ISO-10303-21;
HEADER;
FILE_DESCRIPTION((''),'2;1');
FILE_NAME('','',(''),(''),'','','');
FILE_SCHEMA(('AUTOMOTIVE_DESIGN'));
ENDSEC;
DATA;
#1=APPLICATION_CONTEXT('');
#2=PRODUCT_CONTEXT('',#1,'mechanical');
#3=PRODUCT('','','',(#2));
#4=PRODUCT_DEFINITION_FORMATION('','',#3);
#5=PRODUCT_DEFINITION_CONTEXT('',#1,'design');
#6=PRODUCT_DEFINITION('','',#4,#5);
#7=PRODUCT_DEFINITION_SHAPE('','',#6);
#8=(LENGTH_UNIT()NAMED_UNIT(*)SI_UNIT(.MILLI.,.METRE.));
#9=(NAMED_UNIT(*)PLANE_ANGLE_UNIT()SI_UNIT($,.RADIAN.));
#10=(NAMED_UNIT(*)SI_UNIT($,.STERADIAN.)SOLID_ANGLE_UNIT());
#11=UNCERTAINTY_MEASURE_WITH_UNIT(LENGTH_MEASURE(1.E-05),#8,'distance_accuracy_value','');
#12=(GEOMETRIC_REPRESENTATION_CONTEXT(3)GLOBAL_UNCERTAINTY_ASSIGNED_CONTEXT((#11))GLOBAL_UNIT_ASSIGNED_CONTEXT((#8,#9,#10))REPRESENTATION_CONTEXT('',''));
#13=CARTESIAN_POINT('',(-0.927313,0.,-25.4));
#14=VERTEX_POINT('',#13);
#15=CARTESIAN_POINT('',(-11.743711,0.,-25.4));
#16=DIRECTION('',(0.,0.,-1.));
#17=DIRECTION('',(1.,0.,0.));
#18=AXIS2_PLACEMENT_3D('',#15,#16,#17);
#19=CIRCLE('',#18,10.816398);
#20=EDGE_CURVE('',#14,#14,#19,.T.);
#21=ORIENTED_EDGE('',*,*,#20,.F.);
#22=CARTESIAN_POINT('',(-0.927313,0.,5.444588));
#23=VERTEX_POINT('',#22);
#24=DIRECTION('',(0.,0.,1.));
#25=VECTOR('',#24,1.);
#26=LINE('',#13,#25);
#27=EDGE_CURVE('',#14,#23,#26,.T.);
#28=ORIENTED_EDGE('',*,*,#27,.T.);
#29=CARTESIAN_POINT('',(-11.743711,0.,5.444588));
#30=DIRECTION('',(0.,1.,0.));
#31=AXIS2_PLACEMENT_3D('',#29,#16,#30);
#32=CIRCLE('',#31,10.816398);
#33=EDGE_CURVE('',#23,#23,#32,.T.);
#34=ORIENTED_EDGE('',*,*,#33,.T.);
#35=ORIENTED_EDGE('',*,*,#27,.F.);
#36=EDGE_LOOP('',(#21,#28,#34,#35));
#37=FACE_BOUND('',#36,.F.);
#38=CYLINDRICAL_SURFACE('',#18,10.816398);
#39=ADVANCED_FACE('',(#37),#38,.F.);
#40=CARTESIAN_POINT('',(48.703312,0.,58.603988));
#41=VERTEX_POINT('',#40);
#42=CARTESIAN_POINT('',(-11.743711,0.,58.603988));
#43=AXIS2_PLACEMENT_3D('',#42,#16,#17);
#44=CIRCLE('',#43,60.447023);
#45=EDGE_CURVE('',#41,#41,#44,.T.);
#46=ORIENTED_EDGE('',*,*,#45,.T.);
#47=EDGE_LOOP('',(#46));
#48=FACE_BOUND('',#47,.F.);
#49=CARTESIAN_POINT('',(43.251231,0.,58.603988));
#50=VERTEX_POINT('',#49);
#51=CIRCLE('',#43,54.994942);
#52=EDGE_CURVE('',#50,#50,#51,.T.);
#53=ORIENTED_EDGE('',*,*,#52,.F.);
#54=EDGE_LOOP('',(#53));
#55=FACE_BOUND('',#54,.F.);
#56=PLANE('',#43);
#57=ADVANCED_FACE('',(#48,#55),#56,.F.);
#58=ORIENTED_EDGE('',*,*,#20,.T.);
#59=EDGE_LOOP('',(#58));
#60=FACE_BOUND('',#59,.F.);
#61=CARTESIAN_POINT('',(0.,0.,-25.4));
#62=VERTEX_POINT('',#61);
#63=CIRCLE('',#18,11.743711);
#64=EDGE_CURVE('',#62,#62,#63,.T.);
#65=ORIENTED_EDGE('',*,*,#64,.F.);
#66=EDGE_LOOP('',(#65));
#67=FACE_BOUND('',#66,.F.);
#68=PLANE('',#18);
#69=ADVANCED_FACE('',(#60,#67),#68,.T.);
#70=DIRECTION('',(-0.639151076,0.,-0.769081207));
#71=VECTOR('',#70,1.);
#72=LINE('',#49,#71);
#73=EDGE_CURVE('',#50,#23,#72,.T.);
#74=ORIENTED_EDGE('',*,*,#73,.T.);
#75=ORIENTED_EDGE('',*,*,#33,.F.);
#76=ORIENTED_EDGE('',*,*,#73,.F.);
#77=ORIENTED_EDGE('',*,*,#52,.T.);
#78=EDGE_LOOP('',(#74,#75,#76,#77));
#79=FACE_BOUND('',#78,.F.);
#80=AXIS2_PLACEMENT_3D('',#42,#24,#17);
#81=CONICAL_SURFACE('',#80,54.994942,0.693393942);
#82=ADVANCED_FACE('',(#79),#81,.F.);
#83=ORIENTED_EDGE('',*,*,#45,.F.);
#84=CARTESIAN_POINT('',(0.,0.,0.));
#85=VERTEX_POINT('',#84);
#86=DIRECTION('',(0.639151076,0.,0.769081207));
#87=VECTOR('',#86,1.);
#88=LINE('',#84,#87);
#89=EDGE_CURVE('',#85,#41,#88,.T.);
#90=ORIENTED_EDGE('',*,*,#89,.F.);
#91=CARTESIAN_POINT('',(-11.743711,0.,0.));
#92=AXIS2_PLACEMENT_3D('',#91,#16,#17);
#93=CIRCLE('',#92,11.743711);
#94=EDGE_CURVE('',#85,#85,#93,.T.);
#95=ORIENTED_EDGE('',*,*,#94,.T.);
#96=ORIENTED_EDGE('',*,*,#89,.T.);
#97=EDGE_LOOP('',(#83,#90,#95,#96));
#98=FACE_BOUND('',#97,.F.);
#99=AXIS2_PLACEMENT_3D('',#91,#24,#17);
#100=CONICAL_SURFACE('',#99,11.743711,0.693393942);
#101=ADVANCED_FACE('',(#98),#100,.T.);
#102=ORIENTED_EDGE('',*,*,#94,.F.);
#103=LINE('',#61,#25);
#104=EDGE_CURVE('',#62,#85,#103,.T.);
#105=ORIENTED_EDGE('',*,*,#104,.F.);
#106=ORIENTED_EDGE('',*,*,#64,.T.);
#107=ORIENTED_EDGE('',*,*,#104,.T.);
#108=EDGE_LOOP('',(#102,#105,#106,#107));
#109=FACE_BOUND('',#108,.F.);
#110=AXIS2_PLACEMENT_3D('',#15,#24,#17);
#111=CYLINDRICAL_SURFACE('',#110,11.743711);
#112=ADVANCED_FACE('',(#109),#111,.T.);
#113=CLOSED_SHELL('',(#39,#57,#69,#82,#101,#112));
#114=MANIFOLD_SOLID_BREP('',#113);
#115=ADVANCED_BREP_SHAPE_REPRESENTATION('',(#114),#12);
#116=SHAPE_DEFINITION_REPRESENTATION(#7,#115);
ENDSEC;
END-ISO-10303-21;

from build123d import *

# Parameters (mm, degrees)
F2_R     = 10.816398
F3_DEPTH = 50.8


with BuildPart() as f1:
    # F0 (on Front) → F1 (revolve)
    with BuildSketch(Plane.XZ):
        Polygon((0, -25.4), (0, 0), (48.703312, 58.603988), (43.251231, 58.603988), (-5.452081, 0), (-11.743711, 0), (-11.743711, -25.4), align=None)
    revolve(axis=Axis((-11.743711, 0, -12.7), (0, 0, -1)))

    # F2 (on face) → F3 (cut)
    with BuildSketch(Plane(origin=(0, 0, -25.4), x_dir=(1, 0, 0), z_dir=(0, 0, -1))):
        with Locations((-11.743711, 0)):
            Circle(F2_R)
    extrude(amount=-F3_DEPTH, mode=Mode.SUBTRACT)


solid = f1.part
